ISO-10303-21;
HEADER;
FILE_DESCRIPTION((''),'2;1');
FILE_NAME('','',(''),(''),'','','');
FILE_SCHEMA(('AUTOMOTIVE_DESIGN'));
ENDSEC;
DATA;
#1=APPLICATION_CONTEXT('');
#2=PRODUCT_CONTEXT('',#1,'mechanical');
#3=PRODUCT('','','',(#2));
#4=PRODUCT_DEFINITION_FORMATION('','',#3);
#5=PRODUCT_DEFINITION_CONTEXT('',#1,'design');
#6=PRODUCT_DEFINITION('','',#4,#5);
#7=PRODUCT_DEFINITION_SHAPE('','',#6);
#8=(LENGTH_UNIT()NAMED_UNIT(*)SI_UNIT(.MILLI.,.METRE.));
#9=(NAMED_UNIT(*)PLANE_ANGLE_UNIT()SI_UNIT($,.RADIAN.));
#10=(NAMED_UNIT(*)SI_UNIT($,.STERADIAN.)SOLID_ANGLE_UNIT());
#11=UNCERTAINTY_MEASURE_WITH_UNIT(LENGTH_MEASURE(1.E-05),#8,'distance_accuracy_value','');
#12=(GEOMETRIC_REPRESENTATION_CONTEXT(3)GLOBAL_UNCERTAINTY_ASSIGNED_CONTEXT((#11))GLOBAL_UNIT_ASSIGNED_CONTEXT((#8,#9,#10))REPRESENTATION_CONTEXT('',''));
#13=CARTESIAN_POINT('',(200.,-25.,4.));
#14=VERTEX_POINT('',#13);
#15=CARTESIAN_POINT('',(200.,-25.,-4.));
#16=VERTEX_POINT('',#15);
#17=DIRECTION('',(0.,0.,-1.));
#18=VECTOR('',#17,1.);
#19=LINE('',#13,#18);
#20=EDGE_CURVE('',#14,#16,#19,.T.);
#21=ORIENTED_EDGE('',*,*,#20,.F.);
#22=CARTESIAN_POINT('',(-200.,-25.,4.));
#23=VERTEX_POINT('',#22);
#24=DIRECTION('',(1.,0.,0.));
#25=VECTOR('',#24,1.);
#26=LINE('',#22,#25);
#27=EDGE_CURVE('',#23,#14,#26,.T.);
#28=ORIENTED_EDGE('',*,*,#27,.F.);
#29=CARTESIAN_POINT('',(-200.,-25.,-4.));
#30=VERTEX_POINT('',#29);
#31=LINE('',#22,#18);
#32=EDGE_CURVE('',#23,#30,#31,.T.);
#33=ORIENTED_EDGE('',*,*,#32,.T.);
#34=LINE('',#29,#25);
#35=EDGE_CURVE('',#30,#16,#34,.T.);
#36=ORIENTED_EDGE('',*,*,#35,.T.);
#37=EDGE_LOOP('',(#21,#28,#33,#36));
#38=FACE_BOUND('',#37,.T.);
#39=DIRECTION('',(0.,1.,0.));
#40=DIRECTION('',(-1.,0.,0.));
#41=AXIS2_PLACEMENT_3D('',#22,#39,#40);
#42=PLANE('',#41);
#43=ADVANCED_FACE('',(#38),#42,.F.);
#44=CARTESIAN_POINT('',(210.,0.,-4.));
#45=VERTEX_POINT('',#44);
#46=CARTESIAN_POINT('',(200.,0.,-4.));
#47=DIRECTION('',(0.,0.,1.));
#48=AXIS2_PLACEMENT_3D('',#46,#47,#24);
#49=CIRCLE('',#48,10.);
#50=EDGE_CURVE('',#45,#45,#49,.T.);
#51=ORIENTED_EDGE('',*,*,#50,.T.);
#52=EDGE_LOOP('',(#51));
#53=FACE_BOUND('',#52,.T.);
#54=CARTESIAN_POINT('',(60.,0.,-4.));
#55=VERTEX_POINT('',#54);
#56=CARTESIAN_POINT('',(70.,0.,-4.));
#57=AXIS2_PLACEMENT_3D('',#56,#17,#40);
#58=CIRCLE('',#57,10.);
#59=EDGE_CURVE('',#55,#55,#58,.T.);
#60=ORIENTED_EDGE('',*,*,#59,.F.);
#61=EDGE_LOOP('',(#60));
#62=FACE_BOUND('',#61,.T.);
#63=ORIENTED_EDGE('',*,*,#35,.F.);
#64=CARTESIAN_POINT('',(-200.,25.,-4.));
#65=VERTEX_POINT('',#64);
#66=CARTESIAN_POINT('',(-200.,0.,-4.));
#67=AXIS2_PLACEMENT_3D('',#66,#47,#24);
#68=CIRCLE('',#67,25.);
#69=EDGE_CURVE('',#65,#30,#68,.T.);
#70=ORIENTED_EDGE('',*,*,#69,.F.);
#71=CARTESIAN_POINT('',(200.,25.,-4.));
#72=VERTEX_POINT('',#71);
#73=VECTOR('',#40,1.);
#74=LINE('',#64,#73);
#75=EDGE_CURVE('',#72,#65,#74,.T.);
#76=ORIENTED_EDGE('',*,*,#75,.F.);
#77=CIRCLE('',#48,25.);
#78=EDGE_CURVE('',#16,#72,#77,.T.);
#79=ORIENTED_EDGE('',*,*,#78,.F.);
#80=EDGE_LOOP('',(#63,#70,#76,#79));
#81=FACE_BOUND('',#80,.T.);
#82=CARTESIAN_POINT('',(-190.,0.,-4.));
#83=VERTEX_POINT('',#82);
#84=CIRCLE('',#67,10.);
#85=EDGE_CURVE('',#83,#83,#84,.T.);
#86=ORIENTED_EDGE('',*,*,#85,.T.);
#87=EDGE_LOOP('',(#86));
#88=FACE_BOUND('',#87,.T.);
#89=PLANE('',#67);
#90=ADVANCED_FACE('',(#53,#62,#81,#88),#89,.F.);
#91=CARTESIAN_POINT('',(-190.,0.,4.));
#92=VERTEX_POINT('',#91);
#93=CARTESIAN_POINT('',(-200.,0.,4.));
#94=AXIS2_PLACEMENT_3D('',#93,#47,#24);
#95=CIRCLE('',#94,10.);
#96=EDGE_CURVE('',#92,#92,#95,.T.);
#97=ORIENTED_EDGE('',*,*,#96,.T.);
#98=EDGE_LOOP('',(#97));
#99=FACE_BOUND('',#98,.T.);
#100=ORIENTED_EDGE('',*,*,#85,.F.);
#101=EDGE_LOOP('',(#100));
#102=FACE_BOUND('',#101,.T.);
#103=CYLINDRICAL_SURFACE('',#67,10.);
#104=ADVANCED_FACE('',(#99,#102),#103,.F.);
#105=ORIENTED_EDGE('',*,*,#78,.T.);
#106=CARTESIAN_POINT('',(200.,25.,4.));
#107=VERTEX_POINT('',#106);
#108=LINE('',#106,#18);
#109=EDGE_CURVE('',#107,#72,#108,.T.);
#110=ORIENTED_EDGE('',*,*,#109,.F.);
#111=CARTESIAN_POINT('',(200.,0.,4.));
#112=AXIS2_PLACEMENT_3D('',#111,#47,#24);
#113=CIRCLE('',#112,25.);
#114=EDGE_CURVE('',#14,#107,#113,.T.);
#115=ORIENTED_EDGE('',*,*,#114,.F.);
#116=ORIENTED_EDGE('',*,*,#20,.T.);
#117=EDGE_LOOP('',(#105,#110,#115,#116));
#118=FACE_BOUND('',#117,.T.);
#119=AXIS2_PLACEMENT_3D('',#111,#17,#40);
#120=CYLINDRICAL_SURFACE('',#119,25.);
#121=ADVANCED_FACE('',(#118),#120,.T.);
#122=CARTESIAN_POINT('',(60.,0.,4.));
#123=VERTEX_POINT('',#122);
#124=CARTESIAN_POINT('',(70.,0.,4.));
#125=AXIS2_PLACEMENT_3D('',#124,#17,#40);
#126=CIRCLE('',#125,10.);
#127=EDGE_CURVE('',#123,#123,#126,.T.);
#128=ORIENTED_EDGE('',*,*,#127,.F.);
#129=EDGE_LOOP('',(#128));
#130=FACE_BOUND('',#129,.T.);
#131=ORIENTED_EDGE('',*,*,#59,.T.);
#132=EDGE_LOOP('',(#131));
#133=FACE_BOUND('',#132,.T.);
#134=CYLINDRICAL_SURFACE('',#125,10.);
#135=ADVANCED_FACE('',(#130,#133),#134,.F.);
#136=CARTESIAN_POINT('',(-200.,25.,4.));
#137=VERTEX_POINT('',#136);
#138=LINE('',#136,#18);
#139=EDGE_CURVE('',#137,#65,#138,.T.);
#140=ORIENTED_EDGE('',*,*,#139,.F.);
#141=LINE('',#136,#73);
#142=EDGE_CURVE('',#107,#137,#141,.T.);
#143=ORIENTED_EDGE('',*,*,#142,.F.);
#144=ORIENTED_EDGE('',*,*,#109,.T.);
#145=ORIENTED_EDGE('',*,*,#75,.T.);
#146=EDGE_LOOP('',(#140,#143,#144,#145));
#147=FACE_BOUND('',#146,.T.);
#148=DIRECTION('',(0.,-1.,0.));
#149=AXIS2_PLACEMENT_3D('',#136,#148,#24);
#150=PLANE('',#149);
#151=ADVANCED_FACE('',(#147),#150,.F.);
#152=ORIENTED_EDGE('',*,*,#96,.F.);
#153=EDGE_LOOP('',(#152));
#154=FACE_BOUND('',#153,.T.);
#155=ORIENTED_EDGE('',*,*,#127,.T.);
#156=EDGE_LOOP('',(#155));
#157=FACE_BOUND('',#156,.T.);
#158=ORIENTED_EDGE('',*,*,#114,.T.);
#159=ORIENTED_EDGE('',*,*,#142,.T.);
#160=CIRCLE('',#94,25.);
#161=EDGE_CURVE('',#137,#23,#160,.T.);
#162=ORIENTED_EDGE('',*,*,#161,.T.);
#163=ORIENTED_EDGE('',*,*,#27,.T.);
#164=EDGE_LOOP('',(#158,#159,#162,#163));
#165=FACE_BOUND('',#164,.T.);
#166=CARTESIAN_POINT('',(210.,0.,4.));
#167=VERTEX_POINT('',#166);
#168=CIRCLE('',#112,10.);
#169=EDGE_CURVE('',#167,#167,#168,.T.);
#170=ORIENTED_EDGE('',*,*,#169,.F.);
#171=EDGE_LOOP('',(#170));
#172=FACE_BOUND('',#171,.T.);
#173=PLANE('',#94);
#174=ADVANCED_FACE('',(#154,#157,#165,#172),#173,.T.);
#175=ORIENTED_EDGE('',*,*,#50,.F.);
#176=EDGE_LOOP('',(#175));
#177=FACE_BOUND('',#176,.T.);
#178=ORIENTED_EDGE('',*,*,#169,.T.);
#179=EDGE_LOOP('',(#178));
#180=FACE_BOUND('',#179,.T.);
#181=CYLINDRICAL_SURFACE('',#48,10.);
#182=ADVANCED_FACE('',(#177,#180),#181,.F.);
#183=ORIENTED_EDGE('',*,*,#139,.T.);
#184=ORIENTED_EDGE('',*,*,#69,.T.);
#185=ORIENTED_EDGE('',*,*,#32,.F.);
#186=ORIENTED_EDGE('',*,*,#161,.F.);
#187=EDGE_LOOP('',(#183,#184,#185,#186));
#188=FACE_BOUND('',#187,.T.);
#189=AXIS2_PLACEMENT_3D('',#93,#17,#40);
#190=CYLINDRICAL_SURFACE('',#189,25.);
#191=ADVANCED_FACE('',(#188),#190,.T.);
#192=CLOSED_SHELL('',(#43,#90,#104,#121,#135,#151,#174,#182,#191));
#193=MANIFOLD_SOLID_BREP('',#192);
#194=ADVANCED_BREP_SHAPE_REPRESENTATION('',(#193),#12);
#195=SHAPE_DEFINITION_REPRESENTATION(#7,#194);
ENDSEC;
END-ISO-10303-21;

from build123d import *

# Parameters (mm, degrees)
BOSS_EXTRU_1_DEPTH      = 4
ESQUISSE2_R             = 10
ENL_V_MAT_EXTRU_1_DEPTH = 227.525936705
ESQUISSE3_R             = 10
ENL_V_MAT_EXTRU_2_DEPTH = 227.525936705


with BuildPart() as part:
    # Esquisse1 → Boss.-Extru.1 (new, symmetric)
    with BuildSketch(Plane.XY):
        with BuildLine():
            Line((-200, 25), (200, 25))
            ThreePointArc((200, 25), (225, 0), (200, -25))
            Line((200, -25), (-200, -25))
            ThreePointArc((-200, -25), (-225, 0), (-200, 25))
        make_face()
    extrude(amount=BOSS_EXTRU_1_DEPTH, both=True)

    # Esquisse2 → Enlèv. mat.-Extru.1 (cut, through all)
    with BuildSketch(Plane.XY.offset(4)):
        with Locations((-200, 0)):
            Circle(ESQUISSE2_R)
        with Locations((200, 0)):
            Circle(ESQUISSE2_R)
    extrude(amount=-ENL_V_MAT_EXTRU_1_DEPTH, mode=Mode.SUBTRACT)

    # Esquisse3 → Enlèv. mat.-Extru.2 (cut, through all)
    with BuildSketch(Plane(origin=(0, 0, -4), x_dir=(-1, 0, 0), z_dir=(0, 0, -1))):
        with Locations((-70, 0)):
            Circle(ESQUISSE3_R)
    extrude(amount=-ENL_V_MAT_EXTRU_2_DEPTH, mode=Mode.SUBTRACT)


solid = part.part
